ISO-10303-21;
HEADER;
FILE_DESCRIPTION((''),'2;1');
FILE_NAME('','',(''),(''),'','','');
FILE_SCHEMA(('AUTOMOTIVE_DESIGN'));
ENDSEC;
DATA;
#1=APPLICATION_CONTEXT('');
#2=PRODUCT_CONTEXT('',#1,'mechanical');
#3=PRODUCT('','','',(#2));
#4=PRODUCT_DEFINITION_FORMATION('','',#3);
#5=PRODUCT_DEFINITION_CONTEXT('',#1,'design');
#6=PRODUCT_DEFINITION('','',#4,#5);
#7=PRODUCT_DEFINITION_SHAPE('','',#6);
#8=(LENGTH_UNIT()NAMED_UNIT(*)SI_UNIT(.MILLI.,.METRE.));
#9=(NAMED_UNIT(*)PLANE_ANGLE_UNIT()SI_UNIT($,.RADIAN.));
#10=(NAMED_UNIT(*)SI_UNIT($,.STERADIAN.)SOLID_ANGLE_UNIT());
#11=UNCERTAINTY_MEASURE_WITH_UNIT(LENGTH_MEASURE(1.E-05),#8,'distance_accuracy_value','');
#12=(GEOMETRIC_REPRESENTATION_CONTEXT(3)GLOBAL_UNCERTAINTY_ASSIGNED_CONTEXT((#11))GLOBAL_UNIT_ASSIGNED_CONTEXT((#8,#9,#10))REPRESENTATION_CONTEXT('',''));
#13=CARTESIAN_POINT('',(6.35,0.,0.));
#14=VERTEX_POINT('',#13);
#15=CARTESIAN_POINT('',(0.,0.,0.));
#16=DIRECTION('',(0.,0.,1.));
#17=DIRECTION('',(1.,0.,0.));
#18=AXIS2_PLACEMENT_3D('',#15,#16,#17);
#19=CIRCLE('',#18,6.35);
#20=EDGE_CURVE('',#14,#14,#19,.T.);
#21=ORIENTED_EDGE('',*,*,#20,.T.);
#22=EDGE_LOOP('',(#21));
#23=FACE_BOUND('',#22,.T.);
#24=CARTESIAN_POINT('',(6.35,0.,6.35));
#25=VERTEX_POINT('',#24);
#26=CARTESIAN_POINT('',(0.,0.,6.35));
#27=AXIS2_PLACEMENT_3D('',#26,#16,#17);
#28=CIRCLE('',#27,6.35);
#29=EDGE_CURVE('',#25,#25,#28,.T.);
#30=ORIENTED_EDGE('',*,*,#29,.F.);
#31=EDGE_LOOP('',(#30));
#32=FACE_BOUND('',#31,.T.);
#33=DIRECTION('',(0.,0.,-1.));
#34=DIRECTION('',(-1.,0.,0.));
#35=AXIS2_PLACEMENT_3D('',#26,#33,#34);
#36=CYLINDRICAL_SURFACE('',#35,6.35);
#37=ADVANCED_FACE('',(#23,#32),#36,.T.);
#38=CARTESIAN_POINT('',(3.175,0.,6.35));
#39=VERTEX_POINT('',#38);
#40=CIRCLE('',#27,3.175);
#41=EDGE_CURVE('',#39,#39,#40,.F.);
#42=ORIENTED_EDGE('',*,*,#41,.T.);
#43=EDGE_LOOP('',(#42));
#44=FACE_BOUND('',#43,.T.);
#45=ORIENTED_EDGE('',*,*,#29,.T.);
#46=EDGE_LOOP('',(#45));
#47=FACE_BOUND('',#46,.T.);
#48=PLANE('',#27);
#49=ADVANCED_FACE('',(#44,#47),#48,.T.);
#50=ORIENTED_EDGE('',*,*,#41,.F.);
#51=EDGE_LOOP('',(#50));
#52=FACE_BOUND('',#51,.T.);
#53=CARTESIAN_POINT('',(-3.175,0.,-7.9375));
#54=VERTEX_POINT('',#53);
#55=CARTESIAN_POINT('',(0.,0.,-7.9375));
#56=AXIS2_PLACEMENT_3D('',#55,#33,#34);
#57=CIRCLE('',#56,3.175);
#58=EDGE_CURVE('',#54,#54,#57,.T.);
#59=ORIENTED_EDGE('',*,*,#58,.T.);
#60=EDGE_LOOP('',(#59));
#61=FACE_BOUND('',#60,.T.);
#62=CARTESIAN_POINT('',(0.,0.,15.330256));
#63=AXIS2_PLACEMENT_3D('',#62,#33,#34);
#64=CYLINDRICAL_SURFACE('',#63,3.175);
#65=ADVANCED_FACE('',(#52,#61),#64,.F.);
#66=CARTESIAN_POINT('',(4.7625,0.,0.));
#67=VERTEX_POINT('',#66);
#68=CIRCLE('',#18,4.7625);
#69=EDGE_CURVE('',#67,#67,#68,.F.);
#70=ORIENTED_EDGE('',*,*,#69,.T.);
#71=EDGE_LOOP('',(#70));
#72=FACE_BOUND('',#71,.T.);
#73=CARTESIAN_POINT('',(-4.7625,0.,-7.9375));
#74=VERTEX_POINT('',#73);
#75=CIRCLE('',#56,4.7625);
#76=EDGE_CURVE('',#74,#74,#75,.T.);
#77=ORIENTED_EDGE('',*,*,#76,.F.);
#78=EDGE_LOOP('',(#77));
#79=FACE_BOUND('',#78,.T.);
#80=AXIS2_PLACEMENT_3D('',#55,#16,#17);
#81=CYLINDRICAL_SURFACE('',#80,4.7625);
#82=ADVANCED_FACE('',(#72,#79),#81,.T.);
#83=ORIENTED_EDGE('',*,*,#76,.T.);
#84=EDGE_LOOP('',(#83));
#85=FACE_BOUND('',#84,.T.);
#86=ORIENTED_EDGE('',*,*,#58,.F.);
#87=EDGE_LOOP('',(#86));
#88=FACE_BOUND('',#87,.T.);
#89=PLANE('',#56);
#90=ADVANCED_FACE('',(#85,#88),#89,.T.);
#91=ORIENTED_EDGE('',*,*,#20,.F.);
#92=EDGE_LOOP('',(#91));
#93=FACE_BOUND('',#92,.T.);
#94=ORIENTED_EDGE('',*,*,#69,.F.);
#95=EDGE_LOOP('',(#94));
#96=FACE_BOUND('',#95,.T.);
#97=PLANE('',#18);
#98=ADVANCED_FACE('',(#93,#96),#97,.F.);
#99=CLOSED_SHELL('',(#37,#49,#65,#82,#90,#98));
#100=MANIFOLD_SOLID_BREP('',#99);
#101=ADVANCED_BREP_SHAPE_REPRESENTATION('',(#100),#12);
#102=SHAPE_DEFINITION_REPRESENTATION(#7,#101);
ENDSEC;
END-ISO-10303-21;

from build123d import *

# Parameters (mm, degrees)
SKETCH1_R           = 6.35
BOSS_EXTRUDE1_DEPTH = 6.35
SKETCH2_R           = 4.7625
BOSS_EXTRUDE2_DEPTH = 7.9375
SKETCH3_R           = 3.175
CUT_EXTRUDE1_DEPTH  = 14.2875


with BuildPart() as part:
    # Sketch1 → Boss-Extrude1 (new body)
    with BuildSketch(Plane.XY):
        Circle(SKETCH1_R)
    extrude(amount=BOSS_EXTRUDE1_DEPTH)

    # Sketch2 → Boss-Extrude2 (add)
    with BuildSketch(Plane(origin=(0, 0, 0), x_dir=(-1, 0, 0), z_dir=(0, 0, -1))):
        with Locations(Location((0, 0, 0), (0, 0, 180))):
            Circle(SKETCH2_R)
    extrude(amount=BOSS_EXTRUDE2_DEPTH)

    # Sketch3 → Cut-Extrude1 (cut)
    with BuildSketch(Plane(origin=(0, 0, -7.9375), x_dir=(-1, 0, 0), z_dir=(0, 0, -1))):
        Circle(SKETCH3_R)
    extrude(amount=-CUT_EXTRUDE1_DEPTH, mode=Mode.SUBTRACT)


solid = part.part
